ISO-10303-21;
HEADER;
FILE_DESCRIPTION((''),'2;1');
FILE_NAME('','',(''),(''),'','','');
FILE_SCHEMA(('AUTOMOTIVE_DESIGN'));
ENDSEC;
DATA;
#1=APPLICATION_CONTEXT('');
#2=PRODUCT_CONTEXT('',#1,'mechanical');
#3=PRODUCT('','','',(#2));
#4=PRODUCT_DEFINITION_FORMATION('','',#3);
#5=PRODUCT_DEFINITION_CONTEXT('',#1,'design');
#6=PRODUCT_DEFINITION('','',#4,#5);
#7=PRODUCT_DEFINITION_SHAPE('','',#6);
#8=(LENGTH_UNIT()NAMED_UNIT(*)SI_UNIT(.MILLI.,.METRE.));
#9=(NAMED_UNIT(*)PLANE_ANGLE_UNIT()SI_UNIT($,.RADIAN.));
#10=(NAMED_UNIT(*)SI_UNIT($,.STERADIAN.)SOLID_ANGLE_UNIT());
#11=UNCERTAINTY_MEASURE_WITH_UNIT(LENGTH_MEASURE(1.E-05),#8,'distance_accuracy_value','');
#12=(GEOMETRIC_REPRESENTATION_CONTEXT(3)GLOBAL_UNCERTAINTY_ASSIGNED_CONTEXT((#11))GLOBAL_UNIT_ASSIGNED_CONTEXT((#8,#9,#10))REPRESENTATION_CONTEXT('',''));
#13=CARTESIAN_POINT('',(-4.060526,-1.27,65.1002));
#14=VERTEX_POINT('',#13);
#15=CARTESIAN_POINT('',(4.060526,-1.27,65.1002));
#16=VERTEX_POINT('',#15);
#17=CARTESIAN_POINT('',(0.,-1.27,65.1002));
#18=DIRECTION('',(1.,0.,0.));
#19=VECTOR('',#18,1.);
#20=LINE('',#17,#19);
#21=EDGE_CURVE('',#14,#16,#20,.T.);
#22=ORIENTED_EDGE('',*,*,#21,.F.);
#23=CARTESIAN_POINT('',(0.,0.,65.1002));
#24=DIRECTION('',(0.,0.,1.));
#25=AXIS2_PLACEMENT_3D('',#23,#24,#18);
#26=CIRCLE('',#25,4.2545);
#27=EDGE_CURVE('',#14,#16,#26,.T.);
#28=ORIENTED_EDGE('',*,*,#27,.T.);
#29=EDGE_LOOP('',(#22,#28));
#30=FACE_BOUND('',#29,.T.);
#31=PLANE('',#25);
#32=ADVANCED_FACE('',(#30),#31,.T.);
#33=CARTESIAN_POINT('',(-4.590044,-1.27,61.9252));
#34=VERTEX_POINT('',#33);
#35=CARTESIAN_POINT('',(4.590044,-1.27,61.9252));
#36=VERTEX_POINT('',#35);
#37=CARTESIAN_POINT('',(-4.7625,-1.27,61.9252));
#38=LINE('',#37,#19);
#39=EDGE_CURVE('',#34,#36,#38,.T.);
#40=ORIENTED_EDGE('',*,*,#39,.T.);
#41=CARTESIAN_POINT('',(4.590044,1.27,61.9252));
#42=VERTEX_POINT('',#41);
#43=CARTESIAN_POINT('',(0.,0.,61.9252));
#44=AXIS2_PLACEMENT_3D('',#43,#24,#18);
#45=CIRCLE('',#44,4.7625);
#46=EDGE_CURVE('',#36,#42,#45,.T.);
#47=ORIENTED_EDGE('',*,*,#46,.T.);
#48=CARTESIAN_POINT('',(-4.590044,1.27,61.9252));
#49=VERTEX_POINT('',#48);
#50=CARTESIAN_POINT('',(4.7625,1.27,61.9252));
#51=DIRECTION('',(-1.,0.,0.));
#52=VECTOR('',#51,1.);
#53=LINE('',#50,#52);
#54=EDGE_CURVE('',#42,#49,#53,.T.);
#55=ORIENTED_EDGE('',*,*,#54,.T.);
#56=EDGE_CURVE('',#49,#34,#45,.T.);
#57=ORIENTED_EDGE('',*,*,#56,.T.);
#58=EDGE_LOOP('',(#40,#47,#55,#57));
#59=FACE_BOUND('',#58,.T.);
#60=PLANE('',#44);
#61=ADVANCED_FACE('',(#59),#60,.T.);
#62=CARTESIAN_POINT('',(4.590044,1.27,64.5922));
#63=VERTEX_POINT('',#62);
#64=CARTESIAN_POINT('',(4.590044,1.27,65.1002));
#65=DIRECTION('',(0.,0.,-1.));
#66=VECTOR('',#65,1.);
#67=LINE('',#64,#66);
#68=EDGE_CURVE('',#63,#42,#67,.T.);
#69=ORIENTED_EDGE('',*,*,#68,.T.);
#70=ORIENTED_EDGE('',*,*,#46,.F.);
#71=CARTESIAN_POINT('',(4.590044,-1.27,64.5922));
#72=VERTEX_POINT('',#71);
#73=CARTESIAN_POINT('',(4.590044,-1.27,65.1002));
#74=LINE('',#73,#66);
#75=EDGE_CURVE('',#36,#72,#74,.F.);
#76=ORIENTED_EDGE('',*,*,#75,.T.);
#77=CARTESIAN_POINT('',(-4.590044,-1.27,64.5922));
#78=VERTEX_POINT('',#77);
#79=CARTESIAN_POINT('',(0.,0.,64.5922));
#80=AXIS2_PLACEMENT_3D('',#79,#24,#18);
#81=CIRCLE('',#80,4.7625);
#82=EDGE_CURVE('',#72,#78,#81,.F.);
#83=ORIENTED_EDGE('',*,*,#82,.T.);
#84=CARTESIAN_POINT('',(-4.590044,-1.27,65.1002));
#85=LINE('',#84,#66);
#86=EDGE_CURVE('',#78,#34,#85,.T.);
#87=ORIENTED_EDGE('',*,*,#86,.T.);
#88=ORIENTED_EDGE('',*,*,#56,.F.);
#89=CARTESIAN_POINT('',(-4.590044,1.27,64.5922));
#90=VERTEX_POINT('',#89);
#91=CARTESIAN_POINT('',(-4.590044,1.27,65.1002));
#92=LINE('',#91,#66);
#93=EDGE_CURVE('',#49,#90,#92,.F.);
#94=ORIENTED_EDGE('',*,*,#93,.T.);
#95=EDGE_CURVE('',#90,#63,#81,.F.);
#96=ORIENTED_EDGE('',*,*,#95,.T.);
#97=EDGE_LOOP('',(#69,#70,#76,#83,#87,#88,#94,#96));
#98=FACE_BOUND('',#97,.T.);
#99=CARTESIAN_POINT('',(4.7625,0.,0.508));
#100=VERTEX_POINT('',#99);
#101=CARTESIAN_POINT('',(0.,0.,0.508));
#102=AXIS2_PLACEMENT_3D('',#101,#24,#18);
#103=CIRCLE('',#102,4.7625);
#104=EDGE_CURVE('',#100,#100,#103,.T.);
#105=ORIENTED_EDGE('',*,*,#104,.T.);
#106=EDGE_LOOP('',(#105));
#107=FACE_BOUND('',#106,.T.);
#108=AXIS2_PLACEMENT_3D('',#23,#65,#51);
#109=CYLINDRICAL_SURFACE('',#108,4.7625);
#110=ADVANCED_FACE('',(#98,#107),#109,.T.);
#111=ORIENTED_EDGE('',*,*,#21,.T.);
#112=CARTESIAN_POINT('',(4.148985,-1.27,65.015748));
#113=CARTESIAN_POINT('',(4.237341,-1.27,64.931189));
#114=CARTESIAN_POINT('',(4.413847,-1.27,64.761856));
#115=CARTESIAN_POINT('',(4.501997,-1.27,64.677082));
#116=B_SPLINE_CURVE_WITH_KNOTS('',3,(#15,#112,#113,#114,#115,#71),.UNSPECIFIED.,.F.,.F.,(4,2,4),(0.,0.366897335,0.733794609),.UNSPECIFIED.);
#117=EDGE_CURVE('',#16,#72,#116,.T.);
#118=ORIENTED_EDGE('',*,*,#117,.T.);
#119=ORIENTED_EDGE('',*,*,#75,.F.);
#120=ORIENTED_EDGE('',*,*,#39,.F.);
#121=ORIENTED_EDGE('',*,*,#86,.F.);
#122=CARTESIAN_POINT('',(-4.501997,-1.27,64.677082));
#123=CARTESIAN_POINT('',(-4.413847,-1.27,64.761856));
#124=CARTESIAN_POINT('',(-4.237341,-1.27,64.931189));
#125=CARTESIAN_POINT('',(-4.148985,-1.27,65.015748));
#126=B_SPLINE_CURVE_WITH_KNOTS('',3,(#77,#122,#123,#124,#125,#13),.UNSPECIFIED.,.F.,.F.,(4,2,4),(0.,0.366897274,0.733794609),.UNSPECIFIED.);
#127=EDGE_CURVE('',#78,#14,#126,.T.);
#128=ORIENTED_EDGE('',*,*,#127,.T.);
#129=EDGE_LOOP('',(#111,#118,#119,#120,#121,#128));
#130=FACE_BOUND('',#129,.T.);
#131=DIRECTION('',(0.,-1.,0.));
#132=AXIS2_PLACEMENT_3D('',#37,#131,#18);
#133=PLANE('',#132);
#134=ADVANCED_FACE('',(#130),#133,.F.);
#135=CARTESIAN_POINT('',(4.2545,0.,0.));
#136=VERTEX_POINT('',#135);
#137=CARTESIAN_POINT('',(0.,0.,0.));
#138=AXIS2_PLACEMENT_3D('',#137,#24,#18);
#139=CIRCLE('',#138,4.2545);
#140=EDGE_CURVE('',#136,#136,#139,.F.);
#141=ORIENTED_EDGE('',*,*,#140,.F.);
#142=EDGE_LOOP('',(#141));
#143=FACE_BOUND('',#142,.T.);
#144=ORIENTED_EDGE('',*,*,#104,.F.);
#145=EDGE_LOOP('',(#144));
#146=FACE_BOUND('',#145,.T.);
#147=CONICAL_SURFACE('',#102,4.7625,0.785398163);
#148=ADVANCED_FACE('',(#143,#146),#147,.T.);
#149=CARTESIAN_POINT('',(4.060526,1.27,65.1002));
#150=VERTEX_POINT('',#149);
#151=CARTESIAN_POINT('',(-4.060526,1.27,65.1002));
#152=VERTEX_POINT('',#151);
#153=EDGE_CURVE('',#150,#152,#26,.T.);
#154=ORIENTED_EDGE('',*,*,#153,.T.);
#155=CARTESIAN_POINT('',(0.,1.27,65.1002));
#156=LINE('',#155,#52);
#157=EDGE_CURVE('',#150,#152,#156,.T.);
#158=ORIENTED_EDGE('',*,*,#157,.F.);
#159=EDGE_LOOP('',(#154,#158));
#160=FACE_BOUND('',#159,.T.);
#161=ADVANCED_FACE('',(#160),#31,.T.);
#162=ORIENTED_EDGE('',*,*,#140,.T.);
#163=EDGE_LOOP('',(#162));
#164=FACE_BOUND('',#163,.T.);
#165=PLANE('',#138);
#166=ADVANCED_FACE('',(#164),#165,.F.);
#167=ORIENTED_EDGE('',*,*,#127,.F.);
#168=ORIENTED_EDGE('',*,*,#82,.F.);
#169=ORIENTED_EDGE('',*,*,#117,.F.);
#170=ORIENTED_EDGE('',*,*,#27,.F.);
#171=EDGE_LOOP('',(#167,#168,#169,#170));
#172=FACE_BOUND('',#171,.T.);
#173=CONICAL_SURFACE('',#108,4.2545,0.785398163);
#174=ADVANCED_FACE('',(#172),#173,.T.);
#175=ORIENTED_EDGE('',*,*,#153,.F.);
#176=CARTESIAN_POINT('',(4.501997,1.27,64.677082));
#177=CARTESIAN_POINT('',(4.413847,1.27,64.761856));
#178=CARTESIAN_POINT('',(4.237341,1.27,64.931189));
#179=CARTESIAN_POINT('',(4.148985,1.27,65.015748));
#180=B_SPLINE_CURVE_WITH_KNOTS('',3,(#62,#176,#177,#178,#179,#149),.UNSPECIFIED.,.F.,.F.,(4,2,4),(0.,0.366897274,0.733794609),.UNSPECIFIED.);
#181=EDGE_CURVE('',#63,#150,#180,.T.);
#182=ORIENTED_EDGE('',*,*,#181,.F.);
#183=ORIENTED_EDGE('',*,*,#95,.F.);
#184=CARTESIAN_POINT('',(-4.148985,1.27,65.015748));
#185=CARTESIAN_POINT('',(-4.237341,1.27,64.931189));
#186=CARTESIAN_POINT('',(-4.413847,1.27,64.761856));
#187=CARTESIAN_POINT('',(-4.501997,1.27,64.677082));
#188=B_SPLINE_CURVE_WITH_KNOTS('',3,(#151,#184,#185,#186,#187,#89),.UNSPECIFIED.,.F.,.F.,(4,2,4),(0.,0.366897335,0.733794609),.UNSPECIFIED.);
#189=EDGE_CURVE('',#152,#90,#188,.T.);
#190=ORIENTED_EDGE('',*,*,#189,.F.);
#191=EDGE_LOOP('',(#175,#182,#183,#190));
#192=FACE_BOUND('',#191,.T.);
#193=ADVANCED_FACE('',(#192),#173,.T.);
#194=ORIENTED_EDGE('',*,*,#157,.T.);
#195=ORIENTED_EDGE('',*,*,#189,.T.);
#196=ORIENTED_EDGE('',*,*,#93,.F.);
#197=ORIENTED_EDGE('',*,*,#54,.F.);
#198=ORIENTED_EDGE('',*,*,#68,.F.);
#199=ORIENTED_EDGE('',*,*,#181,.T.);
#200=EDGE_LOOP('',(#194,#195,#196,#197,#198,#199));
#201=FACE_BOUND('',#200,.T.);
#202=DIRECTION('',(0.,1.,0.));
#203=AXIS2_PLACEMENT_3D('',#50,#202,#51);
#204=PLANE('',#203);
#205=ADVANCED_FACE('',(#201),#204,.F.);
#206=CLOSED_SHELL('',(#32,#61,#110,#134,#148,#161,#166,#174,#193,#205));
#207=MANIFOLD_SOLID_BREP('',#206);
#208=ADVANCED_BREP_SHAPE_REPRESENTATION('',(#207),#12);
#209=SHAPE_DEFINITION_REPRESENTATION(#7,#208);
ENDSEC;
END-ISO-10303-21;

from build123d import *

# Parameters (mm, degrees)
SKETCH2_R           = 4.7625
BOSS_EXTRUDE1_DEPTH = 65.1002
CUT_EXTRUDE1_DEPTH  = 3.175
CHAMFER1_SIZE       = 0.508


with BuildPart() as part:
    # Sketch2 → Boss-Extrude1 (new body)
    with BuildSketch(Plane.XY):
        Circle(SKETCH2_R)
    extrude(amount=BOSS_EXTRUDE1_DEPTH)

    # Sketch3 → Cut-Extrude1 (cut)
    with BuildSketch(Plane.XY.offset(65.1002)):
        Polygon((4.7625, 0), (4.7625, 1.27), (-4.7625, 1.27), (-4.7625, 0), (-4.7625, -1.27), (4.7625, -1.27), align=None)
    extrude(amount=-CUT_EXTRUDE1_DEPTH, mode=Mode.SUBTRACT)

    # Chamfer1
    chamfer1_edges = [part.edges().sort_by_distance(p)[0] for p in [
        (-4.7625, 0, 0),
        (0, 4.7625, 65.1002),
        (0, -4.7625, 65.1002),
    ]]
    chamfer(chamfer1_edges, length=CHAMFER1_SIZE)


solid = part.part
